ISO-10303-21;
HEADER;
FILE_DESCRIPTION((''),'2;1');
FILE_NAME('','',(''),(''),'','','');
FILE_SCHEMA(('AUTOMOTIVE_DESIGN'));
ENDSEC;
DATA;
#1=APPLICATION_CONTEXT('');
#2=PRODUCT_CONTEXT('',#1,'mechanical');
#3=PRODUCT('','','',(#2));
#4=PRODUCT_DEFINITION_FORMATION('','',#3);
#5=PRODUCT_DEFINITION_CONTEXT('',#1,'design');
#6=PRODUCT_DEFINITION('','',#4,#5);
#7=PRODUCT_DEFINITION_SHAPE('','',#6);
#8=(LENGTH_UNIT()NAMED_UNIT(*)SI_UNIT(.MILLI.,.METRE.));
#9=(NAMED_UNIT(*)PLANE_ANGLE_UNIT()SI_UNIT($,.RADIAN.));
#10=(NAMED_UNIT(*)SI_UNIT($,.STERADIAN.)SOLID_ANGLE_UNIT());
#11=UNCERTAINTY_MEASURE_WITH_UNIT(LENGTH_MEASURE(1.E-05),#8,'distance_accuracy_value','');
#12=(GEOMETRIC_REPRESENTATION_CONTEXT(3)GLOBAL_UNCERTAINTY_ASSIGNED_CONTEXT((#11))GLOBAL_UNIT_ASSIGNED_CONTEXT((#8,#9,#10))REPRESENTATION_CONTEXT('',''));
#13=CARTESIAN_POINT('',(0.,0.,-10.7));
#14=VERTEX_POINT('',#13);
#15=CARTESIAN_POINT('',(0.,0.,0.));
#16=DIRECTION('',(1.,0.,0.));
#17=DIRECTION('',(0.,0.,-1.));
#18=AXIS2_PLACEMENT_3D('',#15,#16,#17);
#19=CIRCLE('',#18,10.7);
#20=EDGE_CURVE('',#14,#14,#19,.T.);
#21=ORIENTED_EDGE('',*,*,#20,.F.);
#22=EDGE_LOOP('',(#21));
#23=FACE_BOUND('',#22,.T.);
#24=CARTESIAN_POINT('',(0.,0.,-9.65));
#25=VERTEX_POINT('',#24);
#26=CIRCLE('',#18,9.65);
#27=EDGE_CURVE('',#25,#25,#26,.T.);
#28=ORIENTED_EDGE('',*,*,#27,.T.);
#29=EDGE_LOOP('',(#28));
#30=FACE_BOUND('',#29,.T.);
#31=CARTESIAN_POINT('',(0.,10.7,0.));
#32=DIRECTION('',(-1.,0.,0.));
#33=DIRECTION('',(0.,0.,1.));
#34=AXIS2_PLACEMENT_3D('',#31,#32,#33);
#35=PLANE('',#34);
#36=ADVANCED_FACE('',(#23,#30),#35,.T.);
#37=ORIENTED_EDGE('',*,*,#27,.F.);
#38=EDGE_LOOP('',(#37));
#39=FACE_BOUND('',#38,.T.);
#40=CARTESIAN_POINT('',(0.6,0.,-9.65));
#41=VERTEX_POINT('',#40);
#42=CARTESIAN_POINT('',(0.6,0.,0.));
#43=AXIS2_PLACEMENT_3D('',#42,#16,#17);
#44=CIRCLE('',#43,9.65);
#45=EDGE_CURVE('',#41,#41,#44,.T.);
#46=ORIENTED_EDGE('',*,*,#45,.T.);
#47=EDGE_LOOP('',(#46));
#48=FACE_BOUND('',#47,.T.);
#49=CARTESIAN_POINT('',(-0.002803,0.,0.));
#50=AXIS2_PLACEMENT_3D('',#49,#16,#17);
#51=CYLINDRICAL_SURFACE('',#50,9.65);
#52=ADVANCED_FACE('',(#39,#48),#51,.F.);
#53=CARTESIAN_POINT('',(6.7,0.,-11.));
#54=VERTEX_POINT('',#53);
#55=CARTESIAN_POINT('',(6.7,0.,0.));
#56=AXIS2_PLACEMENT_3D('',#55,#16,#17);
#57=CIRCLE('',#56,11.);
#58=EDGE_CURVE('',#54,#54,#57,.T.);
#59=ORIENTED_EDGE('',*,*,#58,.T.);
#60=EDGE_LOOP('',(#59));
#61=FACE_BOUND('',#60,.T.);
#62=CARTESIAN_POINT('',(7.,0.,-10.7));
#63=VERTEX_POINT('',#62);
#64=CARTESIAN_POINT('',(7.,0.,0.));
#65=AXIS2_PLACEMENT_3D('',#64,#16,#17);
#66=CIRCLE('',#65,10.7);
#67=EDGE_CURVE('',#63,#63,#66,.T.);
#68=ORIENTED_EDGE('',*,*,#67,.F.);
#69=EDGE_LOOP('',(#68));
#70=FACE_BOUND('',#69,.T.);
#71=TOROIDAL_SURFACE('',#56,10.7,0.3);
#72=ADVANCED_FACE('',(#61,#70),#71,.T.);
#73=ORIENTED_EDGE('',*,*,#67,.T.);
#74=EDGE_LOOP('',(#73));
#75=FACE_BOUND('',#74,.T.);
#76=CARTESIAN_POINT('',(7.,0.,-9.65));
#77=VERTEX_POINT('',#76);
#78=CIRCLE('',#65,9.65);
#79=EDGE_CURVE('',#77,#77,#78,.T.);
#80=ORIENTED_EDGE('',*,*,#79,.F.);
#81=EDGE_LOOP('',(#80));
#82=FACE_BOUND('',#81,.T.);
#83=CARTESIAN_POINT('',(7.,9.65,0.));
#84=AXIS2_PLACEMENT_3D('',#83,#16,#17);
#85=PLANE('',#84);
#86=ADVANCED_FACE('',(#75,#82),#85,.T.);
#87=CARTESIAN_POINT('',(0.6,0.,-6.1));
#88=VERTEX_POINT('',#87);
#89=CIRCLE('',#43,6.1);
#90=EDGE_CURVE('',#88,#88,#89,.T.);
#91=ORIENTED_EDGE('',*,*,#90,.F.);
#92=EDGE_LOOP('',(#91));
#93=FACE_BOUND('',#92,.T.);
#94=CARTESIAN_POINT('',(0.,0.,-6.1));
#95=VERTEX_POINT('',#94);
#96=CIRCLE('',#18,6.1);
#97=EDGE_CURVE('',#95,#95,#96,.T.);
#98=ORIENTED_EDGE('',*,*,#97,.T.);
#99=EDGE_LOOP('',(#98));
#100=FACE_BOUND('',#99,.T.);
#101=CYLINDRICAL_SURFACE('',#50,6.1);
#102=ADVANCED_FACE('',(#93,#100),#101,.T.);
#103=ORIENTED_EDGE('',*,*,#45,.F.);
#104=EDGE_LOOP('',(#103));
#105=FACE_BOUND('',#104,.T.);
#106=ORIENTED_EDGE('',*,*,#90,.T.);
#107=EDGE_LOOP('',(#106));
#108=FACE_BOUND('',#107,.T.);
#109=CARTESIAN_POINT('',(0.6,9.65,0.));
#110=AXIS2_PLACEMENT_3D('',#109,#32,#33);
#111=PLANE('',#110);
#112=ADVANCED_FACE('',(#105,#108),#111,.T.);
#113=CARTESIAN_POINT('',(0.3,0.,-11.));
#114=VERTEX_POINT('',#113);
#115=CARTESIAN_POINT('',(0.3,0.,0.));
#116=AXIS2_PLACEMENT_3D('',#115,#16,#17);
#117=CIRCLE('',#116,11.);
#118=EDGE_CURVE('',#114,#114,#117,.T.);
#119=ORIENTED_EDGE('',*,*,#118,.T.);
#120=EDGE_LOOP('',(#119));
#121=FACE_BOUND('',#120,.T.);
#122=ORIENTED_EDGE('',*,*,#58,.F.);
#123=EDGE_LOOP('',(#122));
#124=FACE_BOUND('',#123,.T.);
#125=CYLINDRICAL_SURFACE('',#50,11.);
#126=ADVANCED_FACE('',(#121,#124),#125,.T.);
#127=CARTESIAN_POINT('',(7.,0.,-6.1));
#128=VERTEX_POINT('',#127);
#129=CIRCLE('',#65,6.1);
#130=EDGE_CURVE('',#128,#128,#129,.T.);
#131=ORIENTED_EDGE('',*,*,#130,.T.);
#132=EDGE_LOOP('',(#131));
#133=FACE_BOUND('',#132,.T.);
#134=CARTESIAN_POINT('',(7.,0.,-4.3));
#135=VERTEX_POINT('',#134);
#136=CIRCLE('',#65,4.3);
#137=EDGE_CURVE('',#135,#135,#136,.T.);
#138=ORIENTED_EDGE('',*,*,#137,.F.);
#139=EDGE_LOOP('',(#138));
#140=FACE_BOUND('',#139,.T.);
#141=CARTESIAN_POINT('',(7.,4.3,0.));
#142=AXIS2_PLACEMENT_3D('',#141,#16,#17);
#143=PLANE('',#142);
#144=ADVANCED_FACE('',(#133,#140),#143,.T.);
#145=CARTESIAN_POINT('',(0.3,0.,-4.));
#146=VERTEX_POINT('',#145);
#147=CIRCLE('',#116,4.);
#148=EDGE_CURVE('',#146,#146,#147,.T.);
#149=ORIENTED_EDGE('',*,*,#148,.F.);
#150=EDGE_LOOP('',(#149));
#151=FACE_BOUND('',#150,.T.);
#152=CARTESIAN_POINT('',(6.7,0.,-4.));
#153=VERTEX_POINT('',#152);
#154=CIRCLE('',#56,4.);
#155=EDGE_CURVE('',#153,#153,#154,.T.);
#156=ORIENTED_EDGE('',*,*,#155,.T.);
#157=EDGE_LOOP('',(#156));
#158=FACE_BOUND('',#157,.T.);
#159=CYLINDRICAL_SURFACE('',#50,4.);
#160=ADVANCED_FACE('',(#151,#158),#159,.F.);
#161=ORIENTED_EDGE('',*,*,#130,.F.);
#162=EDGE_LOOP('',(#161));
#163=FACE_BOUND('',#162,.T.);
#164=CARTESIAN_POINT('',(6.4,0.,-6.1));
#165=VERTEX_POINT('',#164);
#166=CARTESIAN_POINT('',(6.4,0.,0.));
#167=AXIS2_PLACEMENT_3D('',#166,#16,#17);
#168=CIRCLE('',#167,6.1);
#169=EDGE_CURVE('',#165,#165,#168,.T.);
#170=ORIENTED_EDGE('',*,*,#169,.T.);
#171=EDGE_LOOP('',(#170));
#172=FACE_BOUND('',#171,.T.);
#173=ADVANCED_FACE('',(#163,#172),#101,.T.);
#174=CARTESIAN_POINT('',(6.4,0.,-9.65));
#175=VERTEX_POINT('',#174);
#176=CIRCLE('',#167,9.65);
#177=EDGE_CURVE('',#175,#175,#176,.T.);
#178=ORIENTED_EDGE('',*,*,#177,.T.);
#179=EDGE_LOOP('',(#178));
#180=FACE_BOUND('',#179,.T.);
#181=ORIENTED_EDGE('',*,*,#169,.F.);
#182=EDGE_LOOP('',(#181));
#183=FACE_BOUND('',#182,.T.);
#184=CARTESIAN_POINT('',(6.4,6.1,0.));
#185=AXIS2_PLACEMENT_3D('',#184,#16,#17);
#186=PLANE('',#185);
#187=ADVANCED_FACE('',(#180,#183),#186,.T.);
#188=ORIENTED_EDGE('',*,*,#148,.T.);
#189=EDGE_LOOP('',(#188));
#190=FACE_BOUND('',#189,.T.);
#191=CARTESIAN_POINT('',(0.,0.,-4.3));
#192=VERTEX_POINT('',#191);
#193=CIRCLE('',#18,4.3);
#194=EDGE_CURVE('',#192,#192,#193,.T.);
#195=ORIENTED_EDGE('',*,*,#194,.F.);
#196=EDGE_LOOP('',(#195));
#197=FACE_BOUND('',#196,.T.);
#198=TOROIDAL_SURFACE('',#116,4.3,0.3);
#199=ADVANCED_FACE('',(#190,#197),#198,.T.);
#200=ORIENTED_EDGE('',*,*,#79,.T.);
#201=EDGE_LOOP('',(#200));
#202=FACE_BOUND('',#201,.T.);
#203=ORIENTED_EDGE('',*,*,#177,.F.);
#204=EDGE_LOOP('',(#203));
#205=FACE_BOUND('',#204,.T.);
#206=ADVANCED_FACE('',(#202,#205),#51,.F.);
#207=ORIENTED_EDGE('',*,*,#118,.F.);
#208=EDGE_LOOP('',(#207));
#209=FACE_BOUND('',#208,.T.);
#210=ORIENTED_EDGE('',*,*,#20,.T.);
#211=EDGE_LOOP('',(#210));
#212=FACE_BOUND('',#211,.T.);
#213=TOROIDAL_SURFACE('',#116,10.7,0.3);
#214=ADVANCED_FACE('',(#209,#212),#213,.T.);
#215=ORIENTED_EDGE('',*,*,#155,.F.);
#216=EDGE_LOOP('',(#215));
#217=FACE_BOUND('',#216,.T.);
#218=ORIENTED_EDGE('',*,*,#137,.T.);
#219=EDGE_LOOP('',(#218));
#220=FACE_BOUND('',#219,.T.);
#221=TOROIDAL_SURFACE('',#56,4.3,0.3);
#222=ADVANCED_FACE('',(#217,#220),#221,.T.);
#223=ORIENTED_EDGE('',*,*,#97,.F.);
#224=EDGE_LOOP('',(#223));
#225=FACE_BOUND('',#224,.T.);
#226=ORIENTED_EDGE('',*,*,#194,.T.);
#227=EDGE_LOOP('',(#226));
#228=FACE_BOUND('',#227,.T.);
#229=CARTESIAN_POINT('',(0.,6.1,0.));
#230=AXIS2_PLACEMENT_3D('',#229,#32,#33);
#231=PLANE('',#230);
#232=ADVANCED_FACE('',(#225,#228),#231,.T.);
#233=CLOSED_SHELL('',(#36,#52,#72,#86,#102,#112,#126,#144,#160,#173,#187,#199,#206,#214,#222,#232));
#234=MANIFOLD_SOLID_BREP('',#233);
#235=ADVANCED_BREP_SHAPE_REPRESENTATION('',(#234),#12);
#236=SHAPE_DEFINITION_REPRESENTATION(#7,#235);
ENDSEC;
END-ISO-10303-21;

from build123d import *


with BuildPart() as part:
    # Sketch1 → Revolve1 (revolve)
    with BuildSketch(Plane.XY):
        with BuildLine():
            Line((0.3, 4), (6.7, 4))
            ThreePointArc((6.7, 4), (6.912132034, 4.087867966), (7, 4.3))
            Line((7, 4.3), (7, 6.1))
            Line((7, 6.1), (6.4, 6.1))
            Line((6.4, 6.1), (6.4, 9.65))
            Line((6.4, 9.65), (7, 9.65))
            Line((7, 9.65), (7, 10.7))
            ThreePointArc((7, 10.7), (6.912132034, 10.912132034), (6.7, 11))
            Line((6.7, 11), (0.3, 11))
            ThreePointArc((0.3, 11), (0.087867966, 10.912132034), (0, 10.7))
            Line((0, 10.7), (0, 9.65))
            Line((0, 9.65), (0.6, 9.65))
            Line((0.6, 9.65), (0.6, 6.1))
            Line((0.6, 6.1), (0, 6.1))
            Line((0, 6.1), (0, 4.3))
            ThreePointArc((0, 4.3), (0.087867966, 4.087867966), (0.3, 4))
        make_face()
    revolve(axis=Axis((-0.002803158, 0, 0), (1, 0, 0)))


solid = part.part
